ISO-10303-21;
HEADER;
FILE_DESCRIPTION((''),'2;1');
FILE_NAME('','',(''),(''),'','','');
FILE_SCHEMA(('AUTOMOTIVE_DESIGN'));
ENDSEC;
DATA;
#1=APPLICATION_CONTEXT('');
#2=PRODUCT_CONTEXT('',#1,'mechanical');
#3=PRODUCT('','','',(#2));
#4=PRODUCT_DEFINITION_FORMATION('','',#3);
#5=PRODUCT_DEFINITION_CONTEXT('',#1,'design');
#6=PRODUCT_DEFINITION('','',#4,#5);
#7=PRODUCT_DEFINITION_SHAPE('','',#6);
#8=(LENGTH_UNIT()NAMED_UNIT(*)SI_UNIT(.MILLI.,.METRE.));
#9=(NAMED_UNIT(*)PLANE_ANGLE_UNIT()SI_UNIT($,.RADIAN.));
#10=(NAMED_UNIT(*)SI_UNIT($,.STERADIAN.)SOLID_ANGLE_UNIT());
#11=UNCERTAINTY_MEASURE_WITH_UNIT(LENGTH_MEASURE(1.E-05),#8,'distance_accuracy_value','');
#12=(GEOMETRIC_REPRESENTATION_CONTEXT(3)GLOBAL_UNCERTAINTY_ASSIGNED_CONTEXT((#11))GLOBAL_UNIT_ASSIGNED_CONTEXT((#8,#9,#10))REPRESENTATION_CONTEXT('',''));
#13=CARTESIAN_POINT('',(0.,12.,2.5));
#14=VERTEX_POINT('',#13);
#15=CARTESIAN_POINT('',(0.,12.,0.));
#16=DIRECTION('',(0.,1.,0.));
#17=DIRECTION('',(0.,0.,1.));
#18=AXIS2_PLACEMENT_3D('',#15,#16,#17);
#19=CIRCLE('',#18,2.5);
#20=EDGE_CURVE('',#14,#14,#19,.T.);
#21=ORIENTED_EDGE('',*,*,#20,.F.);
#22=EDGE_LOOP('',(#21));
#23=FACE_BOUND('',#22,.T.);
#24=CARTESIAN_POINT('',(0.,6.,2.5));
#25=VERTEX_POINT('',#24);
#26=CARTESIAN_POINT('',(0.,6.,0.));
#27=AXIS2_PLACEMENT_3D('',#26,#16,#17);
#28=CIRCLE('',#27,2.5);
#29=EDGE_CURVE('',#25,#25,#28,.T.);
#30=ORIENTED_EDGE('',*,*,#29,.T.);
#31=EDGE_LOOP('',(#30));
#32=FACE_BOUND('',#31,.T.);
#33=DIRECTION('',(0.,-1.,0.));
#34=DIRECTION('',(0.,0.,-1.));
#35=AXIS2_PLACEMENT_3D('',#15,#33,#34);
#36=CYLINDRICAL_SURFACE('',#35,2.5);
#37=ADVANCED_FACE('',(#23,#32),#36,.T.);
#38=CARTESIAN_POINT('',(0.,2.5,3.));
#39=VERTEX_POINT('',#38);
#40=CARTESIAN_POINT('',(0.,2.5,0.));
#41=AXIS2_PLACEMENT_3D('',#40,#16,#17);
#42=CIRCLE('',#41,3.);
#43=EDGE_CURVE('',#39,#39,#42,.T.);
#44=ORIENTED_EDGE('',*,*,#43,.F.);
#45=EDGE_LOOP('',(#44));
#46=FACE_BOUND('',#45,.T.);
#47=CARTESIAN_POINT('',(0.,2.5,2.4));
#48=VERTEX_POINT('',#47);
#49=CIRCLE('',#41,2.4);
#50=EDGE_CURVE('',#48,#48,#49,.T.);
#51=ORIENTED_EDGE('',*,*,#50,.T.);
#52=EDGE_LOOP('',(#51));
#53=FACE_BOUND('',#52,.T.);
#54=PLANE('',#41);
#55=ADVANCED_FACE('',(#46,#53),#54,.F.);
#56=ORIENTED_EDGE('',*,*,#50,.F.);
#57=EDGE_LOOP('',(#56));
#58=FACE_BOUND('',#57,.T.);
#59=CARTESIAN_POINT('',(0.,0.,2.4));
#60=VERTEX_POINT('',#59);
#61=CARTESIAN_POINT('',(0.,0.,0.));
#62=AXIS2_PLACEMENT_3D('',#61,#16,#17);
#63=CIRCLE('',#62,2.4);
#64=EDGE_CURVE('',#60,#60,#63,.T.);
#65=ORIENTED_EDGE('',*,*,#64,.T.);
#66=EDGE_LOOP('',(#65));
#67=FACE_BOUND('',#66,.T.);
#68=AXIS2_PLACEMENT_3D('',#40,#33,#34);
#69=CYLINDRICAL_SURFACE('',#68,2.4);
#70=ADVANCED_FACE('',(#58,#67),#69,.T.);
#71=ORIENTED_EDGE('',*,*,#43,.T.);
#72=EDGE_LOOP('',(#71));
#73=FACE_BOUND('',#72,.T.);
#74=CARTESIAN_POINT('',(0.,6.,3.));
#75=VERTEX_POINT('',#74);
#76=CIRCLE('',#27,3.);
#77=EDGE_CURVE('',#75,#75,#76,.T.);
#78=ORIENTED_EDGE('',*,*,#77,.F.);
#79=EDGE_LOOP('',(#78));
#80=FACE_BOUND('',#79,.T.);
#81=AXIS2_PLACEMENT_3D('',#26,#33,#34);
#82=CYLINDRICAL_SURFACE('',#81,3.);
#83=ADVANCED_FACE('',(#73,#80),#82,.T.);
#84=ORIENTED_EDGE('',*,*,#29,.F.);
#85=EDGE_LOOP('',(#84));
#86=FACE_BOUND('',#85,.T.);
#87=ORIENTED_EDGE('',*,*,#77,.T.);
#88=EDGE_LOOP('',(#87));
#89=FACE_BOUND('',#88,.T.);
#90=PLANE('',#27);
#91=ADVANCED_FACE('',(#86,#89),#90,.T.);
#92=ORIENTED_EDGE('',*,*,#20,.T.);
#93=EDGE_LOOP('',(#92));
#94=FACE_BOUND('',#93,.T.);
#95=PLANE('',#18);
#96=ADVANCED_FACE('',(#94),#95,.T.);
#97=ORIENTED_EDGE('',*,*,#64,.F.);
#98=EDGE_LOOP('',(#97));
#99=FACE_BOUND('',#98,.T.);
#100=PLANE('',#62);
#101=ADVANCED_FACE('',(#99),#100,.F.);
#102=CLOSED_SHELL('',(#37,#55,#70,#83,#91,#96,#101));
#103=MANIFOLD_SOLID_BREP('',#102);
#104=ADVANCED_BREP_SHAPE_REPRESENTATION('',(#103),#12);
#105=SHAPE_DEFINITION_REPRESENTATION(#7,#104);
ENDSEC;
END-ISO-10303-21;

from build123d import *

# Parameters (mm, degrees)
SKETCH1_R           = 2.4
BOSS_EXTRUDE1_DEPTH = 2.5
SKETCH2_R           = 3
BOSS_EXTRUDE2_DEPTH = 3.5
SKETCH3_R           = 2.5
BOSS_EXTRUDE3_DEPTH = 6


with BuildPart() as part:
    # Sketch1 → Boss-Extrude1 (new body)
    with BuildSketch(Plane(origin=(0, 0, 0), x_dir=(1, 0, 0), z_dir=(0, 1, 0))):
        with Locations(Location((0, 0, 0), (0, 0, 270))):
            Circle(SKETCH1_R)
    extrude(amount=BOSS_EXTRUDE1_DEPTH)

    # Sketch2 → Boss-Extrude2 (add)
    with BuildSketch(Plane(origin=(0, 2.5, 0), x_dir=(1, 0, 0), z_dir=(0, 1, 0))):
        with Locations(Location((0, 0, 0), (0, 0, 270))):
            Circle(SKETCH2_R)
    extrude(amount=BOSS_EXTRUDE2_DEPTH)

    # Sketch3 → Boss-Extrude3 (add)
    with BuildSketch(Plane(origin=(0, 6, 0), x_dir=(1, 0, 0), z_dir=(0, 1, 0))):
        with Locations(Location((0, 0, 0), (0, 0, 270))):
            Circle(SKETCH3_R)
    extrude(amount=BOSS_EXTRUDE3_DEPTH)


solid = part.part
